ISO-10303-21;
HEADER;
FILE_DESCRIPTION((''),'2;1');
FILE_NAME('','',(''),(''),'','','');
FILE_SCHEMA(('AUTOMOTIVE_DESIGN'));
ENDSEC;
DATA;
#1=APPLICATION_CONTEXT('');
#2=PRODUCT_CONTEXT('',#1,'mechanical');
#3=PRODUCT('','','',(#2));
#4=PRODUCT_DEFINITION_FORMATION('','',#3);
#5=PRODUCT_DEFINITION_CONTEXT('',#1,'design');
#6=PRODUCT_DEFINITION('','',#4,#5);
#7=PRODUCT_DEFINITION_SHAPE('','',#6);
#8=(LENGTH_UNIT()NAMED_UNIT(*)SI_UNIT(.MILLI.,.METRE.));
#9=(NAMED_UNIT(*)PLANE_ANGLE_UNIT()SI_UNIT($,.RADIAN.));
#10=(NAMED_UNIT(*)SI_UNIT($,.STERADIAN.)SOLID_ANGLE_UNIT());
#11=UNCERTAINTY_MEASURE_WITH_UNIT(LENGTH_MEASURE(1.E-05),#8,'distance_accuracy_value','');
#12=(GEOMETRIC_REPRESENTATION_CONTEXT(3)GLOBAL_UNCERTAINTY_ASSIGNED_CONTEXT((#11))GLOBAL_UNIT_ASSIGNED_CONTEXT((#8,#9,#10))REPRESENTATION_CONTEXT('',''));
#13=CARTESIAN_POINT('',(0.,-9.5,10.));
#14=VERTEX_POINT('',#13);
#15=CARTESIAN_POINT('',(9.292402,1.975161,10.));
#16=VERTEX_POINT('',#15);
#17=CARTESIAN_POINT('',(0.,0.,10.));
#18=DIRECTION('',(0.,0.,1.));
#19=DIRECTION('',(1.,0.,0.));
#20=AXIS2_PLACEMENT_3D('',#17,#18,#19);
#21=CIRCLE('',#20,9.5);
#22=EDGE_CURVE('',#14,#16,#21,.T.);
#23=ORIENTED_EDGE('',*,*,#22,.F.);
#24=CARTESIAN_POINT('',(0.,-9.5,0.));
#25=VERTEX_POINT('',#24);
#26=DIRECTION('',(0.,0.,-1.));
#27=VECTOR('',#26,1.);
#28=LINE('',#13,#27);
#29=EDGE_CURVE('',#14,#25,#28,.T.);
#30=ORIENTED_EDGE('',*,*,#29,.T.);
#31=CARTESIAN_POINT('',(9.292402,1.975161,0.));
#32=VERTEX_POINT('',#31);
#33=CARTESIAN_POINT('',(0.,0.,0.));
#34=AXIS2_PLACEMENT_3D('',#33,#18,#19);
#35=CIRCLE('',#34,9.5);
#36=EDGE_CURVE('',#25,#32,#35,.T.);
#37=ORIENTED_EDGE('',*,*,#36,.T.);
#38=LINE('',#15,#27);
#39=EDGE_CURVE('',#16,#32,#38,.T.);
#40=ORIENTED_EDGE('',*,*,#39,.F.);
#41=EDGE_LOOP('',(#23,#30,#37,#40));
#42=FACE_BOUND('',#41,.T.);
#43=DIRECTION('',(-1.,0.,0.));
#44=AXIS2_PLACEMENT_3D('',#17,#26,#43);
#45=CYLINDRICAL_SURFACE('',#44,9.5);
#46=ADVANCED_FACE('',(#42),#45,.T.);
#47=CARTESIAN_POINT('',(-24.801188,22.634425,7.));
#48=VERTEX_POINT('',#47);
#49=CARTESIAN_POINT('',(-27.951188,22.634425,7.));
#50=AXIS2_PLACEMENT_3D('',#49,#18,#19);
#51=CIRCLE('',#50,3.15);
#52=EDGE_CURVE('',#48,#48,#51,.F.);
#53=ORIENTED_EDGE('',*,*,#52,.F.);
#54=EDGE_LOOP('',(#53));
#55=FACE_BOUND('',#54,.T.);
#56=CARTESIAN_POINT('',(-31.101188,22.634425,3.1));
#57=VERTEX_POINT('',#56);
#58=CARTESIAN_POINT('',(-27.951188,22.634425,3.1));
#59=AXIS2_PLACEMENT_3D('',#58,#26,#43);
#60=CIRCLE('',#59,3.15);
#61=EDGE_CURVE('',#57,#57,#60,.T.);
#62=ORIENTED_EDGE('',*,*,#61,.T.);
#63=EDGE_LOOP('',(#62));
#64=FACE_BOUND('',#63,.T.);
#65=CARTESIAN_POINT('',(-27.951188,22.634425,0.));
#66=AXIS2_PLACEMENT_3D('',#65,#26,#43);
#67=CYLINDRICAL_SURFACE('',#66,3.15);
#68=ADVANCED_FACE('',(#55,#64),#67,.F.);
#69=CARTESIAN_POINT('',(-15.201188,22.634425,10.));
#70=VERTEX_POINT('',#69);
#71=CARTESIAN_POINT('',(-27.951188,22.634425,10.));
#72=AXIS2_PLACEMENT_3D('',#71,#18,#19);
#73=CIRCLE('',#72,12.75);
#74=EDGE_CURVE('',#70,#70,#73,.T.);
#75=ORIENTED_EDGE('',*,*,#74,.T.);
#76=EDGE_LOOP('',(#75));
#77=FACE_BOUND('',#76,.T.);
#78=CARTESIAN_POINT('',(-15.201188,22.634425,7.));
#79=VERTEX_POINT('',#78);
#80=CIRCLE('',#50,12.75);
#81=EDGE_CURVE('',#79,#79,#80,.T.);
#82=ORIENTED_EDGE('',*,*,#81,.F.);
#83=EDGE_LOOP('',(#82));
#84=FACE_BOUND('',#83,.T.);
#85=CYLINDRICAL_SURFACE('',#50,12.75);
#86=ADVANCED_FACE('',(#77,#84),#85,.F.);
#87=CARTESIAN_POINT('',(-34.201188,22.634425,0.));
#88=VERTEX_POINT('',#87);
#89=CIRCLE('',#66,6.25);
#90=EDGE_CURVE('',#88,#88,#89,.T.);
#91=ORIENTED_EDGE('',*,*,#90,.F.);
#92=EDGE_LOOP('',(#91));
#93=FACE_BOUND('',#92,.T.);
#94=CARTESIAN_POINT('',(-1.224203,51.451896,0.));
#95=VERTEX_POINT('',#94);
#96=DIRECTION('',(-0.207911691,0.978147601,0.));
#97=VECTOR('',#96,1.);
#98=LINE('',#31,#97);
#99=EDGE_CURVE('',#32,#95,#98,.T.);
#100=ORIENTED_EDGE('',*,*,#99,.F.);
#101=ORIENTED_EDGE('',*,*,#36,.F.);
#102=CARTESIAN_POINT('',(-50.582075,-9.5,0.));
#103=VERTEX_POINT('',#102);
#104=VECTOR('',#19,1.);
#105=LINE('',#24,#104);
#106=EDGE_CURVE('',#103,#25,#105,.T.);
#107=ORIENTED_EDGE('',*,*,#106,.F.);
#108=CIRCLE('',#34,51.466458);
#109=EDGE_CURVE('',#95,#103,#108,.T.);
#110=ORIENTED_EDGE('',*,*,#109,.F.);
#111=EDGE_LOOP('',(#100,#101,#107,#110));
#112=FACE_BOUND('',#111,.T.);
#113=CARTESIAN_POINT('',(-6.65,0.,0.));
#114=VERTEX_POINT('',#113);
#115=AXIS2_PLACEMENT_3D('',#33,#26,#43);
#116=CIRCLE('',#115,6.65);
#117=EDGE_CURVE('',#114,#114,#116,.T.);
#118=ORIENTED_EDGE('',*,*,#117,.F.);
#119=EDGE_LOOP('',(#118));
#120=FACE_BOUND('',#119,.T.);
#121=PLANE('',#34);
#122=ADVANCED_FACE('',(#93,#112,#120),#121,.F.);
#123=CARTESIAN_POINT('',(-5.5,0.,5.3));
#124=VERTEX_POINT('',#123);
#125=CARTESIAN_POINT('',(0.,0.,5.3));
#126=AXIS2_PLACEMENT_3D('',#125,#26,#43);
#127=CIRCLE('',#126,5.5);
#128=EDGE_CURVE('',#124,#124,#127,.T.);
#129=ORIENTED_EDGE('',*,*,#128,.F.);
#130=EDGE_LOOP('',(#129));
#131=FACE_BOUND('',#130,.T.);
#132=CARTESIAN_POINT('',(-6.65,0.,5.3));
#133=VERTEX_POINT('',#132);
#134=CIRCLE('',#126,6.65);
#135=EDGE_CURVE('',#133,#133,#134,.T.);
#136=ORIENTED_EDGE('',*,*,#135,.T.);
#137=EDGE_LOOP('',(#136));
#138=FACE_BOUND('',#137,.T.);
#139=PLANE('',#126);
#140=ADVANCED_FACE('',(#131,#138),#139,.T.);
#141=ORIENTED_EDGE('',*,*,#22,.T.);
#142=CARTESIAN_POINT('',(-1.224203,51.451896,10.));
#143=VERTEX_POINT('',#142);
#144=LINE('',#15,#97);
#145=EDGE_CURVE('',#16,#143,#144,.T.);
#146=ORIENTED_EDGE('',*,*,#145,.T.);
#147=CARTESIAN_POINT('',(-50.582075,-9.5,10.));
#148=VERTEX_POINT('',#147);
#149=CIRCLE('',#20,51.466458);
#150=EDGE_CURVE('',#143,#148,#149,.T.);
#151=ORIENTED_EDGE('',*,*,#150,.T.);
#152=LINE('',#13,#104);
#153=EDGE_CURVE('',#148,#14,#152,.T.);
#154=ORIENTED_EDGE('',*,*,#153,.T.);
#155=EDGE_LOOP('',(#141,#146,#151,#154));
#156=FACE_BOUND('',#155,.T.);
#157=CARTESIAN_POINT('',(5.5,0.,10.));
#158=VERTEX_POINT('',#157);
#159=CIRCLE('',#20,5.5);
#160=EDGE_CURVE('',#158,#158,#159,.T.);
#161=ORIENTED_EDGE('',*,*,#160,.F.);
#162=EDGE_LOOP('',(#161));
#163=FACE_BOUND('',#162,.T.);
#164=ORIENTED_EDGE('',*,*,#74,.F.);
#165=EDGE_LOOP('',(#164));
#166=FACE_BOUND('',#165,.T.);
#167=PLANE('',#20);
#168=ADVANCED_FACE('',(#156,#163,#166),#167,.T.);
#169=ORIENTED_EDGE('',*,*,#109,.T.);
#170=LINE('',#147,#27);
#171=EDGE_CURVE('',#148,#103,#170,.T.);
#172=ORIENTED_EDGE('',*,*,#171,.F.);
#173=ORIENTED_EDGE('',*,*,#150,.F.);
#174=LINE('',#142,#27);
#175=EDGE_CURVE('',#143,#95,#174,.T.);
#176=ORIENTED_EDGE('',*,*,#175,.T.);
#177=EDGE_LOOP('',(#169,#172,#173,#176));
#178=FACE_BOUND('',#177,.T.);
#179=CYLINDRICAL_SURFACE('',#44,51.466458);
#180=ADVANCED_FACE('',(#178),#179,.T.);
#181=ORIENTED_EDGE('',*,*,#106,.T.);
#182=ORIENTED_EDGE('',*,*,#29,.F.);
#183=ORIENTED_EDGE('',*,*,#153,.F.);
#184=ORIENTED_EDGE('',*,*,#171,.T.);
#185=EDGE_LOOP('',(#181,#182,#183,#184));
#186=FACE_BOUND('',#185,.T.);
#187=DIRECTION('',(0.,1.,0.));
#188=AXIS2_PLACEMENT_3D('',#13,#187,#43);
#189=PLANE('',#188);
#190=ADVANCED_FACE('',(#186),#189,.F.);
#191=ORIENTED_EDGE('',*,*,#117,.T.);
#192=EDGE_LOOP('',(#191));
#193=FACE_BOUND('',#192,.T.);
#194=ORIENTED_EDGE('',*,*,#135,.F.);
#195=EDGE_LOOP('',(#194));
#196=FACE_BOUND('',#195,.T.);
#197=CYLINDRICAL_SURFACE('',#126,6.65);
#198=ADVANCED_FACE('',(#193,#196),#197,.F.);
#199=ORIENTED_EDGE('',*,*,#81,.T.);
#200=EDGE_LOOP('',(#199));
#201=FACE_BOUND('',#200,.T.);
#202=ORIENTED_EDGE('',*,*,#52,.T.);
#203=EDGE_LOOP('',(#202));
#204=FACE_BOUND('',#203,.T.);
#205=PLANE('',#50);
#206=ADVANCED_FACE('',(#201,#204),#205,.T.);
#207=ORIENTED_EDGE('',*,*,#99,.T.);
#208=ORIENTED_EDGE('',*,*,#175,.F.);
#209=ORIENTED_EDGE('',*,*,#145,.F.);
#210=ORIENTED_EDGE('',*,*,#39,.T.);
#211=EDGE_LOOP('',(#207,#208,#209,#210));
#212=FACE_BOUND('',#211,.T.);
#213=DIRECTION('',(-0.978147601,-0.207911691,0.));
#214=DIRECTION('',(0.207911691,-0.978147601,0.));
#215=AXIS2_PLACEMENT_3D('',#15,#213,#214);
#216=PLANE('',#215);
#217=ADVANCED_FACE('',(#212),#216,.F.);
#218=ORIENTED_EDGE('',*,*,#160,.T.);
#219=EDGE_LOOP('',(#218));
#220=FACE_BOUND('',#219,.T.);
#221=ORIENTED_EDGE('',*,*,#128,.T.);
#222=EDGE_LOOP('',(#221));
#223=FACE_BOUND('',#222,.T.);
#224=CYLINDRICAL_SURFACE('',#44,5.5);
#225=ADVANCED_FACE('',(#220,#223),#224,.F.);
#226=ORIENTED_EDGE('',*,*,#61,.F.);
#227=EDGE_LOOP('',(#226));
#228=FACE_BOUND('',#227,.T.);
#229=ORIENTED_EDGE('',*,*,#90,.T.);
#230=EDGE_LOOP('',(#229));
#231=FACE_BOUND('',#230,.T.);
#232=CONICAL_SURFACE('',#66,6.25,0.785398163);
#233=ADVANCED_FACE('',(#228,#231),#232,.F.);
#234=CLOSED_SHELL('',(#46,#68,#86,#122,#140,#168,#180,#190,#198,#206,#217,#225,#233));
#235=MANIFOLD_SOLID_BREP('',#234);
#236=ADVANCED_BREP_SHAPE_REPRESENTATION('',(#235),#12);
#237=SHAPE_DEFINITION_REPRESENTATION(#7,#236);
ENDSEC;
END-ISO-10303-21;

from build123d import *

# Parameters (mm, degrees)
SKETCH4_R                                            = 5.5
SKETCH4_R_2                                          = 3
BOSS_EXTRUDE2_DEPTH                                  = 10
CSK_FOR_M6_HEX_SOCKET_COUNTERSUNK_CAP_SC_D           = 6.3
CSK_FOR_M6_HEX_SOCKET_COUNTERSUNK_CAP_SC_CSINK_D     = 12.5
CSK_FOR_M6_HEX_SOCKET_COUNTERSUNK_CAP_SC_CSINK_ANGLE = 90
SKETCH7_R                                            = 6.65
CUT_EXTRUDE1_DEPTH                                   = 5.3
SKETCH8_R                                            = 12.75
CUT_EXTRUDE2_DEPTH                                   = 3


with BuildPart() as part:
    # Sketch4 → Boss-Extrude2 (new body)
    with BuildSketch(Plane.XY):
        with BuildLine():
            Line((9.292402207, 1.975161063), (-1.224202506, 51.451896246))
            ThreePointArc((-1.224202506, 51.451896246), (-39.996949985, 32.388891475), (-50.582074879, -9.5))
            Line((-50.582074879, -9.5), (0, -9.5))
            ThreePointArc((0, -9.5), (7.382886634, -5.978543715), (9.292402207, 1.975161063))
        make_face()
        Circle(SKETCH4_R, mode=Mode.SUBTRACT)
        with Locations((-27.951187583, 22.634425413)):
            Circle(SKETCH4_R_2, mode=Mode.SUBTRACT)
    extrude(amount=BOSS_EXTRUDE2_DEPTH)

    # CSK for M6 Hex Socket Countersunk Cap Screw1 (through all)
    with Locations(Plane(origin=(0, 0, 0), x_dir=(-1, 0, 0), z_dir=(0, 0, -1))):
        with Locations((27.951187583, 22.634425413)):
            CounterSinkHole(CSK_FOR_M6_HEX_SOCKET_COUNTERSUNK_CAP_SC_D / 2, CSK_FOR_M6_HEX_SOCKET_COUNTERSUNK_CAP_SC_CSINK_D / 2, counter_sink_angle=CSK_FOR_M6_HEX_SOCKET_COUNTERSUNK_CAP_SC_CSINK_ANGLE)

    # Sketch7 → Cut-Extrude1 (cut)
    with BuildSketch(Plane(origin=(0, 0, 0), x_dir=(-1, 0, 0), z_dir=(0, 0, -1))):
        Circle(SKETCH7_R)
    extrude(amount=-CUT_EXTRUDE1_DEPTH, mode=Mode.SUBTRACT)

    # Sketch8 → Cut-Extrude2 (cut)
    with BuildSketch(Plane.XY.offset(10)):
        with Locations((-27.951187583, 22.634425413)):
            Circle(SKETCH8_R)
    extrude(amount=-CUT_EXTRUDE2_DEPTH, mode=Mode.SUBTRACT)


solid = part.part
